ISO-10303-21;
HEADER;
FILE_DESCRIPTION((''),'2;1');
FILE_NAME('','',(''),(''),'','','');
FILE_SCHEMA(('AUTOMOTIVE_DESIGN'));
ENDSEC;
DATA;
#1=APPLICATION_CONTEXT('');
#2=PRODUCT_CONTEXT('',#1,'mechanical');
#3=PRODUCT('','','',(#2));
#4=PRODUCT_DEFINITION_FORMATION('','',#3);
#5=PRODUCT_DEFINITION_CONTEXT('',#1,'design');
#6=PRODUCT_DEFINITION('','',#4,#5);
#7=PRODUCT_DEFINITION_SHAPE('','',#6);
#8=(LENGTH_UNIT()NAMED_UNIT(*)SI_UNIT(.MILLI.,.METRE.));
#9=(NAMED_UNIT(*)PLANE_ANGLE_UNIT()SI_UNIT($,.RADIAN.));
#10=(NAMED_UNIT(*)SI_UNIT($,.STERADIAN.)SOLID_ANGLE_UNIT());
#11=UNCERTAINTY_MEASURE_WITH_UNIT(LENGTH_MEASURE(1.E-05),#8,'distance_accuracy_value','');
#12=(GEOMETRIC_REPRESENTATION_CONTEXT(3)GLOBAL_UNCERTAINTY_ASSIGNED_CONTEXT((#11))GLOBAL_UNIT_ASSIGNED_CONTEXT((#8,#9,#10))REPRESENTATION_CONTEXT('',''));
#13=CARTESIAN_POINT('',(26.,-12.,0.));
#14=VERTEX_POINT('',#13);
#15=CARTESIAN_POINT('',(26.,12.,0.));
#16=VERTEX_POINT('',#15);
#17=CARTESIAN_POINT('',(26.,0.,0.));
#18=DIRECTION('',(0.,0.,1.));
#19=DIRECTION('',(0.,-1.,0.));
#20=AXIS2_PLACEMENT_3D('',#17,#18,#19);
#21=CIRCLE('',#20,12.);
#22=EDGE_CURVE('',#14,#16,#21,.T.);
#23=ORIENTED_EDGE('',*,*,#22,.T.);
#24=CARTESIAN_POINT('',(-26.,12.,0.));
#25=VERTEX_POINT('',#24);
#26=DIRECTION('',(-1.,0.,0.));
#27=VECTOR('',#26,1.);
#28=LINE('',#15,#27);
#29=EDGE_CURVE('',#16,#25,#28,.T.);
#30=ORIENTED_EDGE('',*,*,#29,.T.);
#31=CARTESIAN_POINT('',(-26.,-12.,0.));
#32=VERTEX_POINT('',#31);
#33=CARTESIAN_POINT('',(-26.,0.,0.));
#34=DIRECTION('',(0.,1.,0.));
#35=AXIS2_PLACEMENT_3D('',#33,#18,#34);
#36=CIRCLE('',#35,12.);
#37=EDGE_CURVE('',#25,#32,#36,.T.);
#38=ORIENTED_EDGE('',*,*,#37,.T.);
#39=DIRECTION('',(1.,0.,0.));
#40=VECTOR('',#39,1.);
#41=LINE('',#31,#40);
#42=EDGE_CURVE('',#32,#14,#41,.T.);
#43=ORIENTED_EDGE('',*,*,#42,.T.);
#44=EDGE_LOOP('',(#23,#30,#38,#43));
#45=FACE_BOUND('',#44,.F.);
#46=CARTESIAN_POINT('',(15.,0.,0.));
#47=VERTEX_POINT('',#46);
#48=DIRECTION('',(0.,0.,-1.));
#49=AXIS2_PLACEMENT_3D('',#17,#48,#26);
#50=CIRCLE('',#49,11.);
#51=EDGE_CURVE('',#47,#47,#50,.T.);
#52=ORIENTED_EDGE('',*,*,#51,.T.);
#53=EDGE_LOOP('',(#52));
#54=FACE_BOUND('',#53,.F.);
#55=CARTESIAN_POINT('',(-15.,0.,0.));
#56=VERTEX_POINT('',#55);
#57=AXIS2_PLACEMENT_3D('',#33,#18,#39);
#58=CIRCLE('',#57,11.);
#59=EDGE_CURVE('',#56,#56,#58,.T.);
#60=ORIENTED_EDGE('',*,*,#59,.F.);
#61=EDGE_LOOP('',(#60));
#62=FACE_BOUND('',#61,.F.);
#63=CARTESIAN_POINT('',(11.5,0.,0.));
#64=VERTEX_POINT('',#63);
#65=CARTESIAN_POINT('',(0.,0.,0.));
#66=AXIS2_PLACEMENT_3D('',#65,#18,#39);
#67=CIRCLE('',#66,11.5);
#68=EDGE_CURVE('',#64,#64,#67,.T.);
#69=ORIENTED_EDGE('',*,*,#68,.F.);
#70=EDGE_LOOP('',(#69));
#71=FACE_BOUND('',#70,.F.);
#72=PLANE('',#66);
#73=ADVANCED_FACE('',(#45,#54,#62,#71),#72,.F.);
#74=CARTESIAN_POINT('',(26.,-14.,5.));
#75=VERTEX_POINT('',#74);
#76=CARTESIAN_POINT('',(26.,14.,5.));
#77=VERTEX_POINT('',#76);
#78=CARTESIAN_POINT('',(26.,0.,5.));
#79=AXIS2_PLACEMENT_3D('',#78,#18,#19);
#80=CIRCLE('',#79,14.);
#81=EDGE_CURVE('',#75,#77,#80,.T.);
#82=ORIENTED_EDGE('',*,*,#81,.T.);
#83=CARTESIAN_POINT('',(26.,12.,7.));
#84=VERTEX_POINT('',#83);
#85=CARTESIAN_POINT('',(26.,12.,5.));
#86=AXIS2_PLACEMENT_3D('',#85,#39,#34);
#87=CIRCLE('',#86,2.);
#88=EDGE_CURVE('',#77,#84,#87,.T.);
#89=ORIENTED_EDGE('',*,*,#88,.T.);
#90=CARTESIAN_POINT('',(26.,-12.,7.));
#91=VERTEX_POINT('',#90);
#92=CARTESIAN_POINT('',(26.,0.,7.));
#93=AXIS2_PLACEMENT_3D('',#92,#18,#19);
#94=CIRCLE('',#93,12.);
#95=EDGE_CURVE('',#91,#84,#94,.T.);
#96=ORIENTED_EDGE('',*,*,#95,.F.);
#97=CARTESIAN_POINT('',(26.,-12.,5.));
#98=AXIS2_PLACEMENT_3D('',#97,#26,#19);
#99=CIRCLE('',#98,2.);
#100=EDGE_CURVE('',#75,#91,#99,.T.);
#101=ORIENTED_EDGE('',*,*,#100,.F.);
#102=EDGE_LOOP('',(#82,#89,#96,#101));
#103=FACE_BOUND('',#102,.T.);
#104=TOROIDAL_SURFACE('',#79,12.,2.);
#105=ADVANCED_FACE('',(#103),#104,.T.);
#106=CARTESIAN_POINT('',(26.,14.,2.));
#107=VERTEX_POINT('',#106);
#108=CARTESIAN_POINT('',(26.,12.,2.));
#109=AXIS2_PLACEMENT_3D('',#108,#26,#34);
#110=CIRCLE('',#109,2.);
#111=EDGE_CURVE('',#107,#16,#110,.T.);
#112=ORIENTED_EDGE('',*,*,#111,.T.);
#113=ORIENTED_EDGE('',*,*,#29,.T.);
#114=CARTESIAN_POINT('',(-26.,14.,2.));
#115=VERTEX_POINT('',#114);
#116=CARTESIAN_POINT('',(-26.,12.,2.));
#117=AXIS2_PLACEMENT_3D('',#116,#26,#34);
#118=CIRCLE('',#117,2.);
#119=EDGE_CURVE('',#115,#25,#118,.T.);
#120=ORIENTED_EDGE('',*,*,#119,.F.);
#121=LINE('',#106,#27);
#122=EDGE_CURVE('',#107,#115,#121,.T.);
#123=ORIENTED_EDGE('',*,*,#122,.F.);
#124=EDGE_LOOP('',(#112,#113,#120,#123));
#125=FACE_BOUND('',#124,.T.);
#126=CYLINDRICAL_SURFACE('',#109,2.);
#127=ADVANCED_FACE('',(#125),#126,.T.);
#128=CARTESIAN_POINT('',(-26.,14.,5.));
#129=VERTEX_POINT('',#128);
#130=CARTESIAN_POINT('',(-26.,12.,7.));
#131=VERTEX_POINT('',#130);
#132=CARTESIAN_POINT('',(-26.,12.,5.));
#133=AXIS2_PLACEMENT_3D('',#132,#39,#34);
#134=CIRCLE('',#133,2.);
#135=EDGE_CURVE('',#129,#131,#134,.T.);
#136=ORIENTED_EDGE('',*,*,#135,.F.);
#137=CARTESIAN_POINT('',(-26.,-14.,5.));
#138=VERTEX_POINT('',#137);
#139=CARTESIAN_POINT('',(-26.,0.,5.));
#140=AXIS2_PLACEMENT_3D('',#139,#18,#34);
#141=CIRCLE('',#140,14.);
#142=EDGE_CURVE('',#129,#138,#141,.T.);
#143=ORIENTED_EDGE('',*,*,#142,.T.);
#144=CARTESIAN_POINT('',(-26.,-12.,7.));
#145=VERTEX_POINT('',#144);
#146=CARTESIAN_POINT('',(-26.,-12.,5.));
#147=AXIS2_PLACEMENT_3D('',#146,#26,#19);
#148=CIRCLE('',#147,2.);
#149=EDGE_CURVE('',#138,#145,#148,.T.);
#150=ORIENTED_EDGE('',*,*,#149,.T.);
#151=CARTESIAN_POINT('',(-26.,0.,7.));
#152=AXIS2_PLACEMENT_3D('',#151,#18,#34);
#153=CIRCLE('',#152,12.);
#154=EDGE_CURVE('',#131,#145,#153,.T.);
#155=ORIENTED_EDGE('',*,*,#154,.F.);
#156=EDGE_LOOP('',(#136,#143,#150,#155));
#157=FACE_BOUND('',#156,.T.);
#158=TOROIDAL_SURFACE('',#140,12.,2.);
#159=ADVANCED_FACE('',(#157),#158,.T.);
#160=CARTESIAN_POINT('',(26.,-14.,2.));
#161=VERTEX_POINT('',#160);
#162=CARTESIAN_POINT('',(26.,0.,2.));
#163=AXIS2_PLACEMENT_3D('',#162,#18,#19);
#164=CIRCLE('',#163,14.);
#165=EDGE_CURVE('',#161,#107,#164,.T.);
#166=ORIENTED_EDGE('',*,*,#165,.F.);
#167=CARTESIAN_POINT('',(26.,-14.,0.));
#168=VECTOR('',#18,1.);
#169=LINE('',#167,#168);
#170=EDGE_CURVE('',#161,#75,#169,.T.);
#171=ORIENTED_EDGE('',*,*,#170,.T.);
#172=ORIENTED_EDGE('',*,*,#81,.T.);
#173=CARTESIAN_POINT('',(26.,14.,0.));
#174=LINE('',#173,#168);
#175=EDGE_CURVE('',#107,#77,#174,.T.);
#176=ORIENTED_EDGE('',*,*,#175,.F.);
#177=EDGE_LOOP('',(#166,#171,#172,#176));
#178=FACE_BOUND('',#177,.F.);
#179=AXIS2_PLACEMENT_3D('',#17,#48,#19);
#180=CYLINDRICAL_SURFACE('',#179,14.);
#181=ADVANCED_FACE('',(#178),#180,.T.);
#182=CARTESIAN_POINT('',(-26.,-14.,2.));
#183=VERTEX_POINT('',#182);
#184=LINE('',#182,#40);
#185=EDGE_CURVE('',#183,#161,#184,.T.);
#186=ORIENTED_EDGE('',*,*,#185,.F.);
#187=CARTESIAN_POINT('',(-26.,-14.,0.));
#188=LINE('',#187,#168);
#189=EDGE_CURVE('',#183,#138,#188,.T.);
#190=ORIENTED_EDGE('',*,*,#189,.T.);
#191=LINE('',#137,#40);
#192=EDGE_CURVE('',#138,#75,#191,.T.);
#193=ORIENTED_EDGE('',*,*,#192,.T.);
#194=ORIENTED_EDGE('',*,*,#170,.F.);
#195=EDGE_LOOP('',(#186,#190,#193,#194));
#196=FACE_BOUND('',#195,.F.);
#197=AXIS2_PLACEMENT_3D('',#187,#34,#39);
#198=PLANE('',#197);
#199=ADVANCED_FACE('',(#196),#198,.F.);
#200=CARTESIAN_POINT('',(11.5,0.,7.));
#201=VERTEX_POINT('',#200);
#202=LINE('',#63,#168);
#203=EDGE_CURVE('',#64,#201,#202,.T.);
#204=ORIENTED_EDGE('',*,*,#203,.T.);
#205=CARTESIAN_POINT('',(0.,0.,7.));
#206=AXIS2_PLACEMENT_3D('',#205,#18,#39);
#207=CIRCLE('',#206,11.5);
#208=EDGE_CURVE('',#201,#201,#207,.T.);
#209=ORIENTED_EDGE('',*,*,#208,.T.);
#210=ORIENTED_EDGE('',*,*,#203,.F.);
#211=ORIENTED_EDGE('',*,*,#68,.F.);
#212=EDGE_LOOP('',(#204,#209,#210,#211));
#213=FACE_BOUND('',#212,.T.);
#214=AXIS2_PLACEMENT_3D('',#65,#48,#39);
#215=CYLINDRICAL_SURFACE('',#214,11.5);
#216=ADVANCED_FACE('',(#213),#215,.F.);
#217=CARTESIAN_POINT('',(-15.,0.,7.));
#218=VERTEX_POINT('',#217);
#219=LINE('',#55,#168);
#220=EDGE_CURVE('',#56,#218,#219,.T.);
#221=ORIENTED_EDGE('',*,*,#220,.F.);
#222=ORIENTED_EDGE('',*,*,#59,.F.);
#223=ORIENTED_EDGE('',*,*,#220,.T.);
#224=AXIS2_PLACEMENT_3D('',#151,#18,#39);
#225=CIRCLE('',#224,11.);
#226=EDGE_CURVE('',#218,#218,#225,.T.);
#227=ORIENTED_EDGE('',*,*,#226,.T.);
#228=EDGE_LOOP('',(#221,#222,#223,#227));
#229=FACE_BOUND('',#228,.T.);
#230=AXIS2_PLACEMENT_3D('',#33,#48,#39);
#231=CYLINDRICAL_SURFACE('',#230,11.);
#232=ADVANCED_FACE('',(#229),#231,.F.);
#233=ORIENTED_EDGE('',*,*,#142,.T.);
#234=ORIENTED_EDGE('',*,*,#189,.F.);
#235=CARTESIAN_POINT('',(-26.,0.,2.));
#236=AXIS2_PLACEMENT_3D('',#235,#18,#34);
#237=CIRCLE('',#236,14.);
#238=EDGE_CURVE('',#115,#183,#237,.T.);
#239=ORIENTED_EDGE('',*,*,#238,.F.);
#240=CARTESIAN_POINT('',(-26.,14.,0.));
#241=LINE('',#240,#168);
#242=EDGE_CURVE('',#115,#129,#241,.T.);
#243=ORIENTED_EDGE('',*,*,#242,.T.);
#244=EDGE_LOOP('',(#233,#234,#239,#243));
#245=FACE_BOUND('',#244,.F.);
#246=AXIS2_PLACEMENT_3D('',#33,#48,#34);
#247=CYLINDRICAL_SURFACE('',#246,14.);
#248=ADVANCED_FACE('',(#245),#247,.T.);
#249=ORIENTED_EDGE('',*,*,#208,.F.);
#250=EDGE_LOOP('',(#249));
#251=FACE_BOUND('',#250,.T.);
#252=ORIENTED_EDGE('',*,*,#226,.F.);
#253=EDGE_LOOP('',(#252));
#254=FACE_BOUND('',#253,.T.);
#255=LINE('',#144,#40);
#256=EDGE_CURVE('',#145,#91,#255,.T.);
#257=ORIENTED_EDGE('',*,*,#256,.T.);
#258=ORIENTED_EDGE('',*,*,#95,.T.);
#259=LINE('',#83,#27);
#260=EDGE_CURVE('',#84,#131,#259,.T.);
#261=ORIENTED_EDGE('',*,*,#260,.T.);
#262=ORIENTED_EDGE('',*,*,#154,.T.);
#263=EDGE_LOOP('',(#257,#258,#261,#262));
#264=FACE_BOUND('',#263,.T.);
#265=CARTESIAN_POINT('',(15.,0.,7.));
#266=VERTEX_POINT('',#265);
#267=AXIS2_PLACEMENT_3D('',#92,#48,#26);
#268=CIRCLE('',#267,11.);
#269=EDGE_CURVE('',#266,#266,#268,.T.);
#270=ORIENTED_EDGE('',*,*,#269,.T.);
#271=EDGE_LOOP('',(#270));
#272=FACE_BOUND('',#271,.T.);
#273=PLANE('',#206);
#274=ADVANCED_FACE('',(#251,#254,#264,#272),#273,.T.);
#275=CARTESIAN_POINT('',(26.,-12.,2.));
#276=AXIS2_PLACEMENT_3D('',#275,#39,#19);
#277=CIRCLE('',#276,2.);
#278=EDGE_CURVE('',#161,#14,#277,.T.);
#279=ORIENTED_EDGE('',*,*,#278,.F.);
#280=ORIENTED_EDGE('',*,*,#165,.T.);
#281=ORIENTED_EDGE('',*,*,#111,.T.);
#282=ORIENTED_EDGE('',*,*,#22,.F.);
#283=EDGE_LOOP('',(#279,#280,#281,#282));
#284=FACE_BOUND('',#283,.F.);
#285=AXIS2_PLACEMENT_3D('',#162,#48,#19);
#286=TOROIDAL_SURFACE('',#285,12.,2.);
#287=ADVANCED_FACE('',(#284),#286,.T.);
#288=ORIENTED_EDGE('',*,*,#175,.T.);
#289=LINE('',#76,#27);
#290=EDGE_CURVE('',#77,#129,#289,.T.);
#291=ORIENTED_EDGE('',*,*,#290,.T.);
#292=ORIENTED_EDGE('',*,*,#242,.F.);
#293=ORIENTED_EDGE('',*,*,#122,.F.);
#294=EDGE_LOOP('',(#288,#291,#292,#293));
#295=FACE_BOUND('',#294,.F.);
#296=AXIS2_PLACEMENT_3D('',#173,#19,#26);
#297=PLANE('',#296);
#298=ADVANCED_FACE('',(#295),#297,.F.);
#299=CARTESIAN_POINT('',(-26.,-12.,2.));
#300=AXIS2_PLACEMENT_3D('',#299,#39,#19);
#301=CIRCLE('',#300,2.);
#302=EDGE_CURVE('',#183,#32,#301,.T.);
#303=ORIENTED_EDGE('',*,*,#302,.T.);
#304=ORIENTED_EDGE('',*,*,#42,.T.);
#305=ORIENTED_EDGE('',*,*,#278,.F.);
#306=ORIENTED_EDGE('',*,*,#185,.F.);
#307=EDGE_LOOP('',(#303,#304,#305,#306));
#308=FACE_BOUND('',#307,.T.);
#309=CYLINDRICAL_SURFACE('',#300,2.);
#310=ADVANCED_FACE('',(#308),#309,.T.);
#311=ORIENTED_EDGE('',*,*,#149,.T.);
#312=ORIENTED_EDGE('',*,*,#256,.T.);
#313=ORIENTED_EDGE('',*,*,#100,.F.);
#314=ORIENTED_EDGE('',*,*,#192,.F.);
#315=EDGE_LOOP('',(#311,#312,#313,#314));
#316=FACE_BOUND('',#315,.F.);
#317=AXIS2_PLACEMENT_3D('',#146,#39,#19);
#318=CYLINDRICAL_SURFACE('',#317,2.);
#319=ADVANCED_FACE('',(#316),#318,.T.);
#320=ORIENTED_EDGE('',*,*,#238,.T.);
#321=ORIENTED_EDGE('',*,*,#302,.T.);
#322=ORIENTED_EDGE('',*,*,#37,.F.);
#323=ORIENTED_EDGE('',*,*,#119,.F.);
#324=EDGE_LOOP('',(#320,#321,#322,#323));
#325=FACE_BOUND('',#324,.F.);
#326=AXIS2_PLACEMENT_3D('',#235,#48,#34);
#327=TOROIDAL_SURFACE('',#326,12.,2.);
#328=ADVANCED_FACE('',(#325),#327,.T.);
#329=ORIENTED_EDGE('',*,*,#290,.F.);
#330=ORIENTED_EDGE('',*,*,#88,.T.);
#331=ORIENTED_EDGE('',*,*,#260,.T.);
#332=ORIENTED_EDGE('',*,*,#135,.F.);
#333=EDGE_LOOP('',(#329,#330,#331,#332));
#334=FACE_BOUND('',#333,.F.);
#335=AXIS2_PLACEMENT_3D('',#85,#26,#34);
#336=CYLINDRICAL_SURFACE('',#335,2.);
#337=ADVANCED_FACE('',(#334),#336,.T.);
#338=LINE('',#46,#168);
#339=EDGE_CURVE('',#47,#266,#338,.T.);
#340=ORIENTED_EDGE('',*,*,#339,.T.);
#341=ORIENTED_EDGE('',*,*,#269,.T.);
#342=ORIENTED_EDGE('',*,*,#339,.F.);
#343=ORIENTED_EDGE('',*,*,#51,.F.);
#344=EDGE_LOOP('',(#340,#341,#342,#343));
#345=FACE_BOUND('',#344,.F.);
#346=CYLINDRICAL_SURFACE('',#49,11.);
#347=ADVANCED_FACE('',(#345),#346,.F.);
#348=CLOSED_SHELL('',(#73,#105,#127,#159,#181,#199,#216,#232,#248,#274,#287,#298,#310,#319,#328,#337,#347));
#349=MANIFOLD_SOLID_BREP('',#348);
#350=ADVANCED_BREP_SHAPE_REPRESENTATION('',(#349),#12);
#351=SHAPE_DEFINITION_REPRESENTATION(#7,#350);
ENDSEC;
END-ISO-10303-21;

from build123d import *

# Parameters (mm, degrees)
F0_R     = 11.5
F0_R_2   = 11
F1_DEPTH = 7
F2_R     = 2


with BuildPart() as f1:
    # F0 (on Top) → F1 (new body)
    with BuildSketch(Plane.XY):
        Circle(F0_R)
        with BuildLine():
            ThreePointArc((37, 0), (26, 11), (15, 0))
            ThreePointArc((15, 0), (26, -11), (37, 0))
        make_face()
        with BuildLine():
            Line((-26, -14), (26, -14))
            ThreePointArc((26, -14), (40, 0), (26, 14))
            Line((26, 14), (-26, 14))
            ThreePointArc((-26, 14), (-40, 0), (-26, -14))
        make_face()
        with Locations((-26, 0)):
            Circle(F0_R_2, mode=Mode.SUBTRACT)
        Circle(F0_R, mode=Mode.SUBTRACT)
        with BuildLine():
            ThreePointArc((37, 0), (26, -11), (15, 0))
            ThreePointArc((15, 0), (26, 11), (37, 0))
        make_face(mode=Mode.SUBTRACT)
    extrude(amount=F1_DEPTH)

    # F2
    f2_edges = [f1.edges().sort_by_distance(p)[0] for p in [
        (0, 14, 7),
        (40, 0, 7),
        (0, -14, 7),
        (-40, 0, 7),
        (40, 0, 0),
        (0, 14, 0),
        (-40, 0, 0),
        (0, -14, 0),
    ]]
    fillet(f2_edges, radius=F2_R)


solid = f1.part
